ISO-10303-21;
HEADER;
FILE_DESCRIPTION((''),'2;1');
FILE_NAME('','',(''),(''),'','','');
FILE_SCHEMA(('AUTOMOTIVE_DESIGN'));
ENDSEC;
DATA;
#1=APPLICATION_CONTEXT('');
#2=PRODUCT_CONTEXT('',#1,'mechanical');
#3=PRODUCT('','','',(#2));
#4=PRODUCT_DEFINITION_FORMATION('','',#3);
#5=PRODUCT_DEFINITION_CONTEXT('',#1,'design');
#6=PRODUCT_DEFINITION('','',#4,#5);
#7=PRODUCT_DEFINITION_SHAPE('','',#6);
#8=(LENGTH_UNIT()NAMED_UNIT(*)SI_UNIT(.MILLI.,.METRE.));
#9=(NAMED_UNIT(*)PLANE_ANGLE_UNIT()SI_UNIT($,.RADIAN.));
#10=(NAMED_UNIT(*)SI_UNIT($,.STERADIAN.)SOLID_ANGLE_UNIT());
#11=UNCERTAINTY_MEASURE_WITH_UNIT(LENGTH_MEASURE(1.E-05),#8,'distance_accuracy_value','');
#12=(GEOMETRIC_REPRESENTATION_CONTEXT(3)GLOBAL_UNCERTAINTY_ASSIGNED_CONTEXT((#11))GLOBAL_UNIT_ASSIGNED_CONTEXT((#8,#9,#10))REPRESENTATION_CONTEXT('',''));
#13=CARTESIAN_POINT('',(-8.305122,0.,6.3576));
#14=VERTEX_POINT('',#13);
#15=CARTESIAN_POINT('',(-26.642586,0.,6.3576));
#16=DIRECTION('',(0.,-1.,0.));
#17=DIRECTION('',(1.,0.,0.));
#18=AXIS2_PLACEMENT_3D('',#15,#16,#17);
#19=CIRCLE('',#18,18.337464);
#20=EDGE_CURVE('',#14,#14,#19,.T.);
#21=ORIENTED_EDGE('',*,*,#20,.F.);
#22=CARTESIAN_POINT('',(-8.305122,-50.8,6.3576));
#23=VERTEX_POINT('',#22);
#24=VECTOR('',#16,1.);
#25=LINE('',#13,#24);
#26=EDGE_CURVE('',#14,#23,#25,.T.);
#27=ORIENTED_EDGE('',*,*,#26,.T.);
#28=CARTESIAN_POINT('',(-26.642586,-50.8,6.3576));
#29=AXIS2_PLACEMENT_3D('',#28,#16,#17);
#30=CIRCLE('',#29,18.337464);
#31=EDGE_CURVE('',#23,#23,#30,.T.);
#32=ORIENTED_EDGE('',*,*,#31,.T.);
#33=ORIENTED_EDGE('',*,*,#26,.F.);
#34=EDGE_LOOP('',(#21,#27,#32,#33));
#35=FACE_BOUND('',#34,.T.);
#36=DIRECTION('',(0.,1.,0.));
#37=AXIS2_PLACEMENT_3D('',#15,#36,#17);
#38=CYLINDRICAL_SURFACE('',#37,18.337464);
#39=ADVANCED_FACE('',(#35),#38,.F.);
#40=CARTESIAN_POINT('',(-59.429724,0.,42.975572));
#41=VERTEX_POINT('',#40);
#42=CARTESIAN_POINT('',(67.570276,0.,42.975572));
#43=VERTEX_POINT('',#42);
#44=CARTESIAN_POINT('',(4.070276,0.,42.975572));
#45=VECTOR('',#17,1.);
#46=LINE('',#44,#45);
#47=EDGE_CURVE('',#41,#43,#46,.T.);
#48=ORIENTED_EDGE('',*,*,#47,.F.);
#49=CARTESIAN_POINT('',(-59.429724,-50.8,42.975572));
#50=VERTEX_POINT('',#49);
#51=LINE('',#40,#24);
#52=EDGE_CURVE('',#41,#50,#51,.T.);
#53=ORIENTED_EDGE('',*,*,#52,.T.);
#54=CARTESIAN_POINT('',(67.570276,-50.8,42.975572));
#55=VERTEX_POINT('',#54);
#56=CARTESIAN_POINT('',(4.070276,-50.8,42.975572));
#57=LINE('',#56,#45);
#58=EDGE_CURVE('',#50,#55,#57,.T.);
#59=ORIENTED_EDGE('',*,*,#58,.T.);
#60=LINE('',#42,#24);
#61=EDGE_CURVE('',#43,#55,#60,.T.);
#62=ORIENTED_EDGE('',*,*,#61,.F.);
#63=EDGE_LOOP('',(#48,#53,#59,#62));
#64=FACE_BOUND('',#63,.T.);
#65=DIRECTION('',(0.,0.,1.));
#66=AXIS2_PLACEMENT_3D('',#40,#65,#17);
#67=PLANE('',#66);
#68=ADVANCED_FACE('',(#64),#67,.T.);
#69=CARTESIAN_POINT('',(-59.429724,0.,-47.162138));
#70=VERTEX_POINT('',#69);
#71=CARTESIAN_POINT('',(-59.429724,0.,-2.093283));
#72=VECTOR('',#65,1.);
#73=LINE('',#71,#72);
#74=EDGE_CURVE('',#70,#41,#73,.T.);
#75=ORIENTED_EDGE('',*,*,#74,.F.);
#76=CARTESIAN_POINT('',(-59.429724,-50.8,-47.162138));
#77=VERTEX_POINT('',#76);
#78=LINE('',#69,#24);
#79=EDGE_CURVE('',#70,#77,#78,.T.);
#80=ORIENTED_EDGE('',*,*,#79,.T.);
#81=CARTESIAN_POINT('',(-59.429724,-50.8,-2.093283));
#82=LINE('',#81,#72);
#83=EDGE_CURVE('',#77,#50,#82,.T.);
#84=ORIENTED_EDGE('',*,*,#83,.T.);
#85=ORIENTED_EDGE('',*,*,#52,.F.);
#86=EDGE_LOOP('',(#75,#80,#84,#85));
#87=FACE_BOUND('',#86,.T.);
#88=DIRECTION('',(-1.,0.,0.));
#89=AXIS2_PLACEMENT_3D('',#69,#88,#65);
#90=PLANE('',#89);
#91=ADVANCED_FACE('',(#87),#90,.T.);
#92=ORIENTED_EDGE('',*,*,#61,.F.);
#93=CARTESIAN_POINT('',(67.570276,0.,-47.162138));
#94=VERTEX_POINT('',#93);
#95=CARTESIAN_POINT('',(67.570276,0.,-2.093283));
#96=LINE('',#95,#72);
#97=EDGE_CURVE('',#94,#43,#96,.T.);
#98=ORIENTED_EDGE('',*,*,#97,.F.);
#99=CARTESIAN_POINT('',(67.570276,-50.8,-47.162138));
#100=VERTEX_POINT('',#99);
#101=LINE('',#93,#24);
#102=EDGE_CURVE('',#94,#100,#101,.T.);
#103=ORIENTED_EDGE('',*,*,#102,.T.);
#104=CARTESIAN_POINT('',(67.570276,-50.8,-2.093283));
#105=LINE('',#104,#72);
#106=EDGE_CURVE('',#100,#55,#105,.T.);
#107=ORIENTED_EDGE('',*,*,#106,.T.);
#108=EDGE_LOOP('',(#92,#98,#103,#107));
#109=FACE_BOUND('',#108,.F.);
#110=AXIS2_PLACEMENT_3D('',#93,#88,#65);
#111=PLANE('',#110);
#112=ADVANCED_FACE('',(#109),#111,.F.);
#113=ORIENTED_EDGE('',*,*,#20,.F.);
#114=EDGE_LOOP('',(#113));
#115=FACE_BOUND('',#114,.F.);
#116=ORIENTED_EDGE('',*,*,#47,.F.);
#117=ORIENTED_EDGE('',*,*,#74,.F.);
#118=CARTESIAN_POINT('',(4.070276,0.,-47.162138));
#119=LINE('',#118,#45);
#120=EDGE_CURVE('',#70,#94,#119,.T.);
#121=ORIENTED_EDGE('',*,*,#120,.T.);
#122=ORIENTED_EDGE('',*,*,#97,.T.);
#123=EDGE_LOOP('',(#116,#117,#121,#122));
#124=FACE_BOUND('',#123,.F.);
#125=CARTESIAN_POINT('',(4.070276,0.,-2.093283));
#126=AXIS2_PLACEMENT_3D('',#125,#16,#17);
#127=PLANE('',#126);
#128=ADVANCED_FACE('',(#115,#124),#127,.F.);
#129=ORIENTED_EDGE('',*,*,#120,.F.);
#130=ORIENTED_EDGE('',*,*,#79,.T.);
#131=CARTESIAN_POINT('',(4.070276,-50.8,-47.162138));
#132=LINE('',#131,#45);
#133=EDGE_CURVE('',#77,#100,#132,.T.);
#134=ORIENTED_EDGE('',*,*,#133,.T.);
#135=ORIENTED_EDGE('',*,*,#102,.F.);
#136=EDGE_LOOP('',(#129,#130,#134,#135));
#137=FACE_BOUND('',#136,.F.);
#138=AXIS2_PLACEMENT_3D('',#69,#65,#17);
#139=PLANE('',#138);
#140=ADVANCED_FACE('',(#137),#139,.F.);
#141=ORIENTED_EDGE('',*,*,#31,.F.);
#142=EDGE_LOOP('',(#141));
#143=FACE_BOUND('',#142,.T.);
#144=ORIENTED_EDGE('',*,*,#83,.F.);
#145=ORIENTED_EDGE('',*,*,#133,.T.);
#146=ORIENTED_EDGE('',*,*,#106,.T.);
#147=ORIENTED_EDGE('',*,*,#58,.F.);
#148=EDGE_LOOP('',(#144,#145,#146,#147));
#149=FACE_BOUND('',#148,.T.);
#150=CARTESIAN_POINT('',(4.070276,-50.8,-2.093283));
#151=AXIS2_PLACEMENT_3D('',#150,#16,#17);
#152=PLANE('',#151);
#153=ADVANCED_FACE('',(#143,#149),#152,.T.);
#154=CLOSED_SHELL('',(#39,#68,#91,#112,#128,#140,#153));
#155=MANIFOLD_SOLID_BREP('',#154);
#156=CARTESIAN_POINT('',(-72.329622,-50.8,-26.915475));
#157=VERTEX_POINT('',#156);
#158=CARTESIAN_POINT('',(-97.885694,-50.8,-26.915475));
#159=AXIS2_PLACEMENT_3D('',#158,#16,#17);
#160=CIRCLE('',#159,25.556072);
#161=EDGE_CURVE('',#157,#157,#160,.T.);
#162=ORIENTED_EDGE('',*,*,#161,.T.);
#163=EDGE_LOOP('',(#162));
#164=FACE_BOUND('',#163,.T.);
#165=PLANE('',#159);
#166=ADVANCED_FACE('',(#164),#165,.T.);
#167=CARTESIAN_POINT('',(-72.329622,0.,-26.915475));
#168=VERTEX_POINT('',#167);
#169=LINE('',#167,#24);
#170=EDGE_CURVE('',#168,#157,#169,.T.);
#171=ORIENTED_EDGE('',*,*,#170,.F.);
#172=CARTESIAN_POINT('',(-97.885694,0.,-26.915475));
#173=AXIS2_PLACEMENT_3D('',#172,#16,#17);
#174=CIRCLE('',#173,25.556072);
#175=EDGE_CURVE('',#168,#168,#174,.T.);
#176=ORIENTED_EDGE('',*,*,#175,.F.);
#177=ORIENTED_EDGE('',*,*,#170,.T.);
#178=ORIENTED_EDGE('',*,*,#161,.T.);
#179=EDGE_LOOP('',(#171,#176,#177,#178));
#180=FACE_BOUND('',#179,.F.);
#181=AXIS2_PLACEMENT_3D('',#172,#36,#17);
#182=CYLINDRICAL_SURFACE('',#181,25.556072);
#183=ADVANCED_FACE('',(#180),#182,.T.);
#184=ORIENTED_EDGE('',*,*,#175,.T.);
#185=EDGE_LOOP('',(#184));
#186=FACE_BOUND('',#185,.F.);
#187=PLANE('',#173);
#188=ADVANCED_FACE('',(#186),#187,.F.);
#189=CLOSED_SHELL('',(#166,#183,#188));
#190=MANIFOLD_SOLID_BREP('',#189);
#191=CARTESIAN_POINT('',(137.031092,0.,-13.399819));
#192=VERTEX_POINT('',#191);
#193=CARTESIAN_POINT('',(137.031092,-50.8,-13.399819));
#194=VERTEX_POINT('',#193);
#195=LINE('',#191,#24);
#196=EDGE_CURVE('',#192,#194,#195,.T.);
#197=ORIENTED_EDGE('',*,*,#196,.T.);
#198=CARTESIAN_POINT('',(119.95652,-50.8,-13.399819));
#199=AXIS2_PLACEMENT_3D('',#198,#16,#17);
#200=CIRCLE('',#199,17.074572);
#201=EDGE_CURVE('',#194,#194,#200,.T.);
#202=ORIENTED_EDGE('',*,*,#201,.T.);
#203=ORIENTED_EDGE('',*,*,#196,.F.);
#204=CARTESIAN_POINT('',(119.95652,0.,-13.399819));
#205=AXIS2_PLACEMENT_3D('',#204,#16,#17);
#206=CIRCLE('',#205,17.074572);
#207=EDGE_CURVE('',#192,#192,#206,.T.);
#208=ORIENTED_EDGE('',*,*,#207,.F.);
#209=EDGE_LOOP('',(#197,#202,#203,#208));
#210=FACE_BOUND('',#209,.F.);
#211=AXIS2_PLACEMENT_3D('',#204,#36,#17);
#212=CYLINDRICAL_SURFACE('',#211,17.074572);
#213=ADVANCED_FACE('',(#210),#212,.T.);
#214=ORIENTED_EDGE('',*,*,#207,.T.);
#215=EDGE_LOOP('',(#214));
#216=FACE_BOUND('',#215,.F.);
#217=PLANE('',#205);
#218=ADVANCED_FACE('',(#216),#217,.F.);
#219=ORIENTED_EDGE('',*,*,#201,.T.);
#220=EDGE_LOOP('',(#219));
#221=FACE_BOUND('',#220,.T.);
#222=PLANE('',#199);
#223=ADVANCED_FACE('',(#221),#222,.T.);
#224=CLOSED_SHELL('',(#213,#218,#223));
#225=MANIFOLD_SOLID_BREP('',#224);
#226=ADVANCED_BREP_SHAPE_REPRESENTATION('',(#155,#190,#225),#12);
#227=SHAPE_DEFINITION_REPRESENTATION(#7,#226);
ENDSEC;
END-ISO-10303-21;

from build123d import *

# Parameters (mm, degrees)
F0_W     = 127
F0_H     = 90.137711
F0_R     = 18.337464
F0_R_2   = 25.556072
F0_R_3   = 17.074572
F1_DEPTH = 50.8


with BuildPart() as f1:
    # F0 (on Front) → F1 (new body)
    with BuildSketch(Plane.XZ):
        with Locations((4.070276, -2.093283)):
            Rectangle(F0_W, F0_H)
        with Locations((-26.642586, 6.3576)):
            Circle(F0_R, mode=Mode.SUBTRACT)
        with Locations((-97.885694, -26.915475)):
            Circle(F0_R_2)
        with Locations((119.95652, -13.399819)):
            Circle(F0_R_3)
    extrude(amount=F1_DEPTH)


solid = f1.part
